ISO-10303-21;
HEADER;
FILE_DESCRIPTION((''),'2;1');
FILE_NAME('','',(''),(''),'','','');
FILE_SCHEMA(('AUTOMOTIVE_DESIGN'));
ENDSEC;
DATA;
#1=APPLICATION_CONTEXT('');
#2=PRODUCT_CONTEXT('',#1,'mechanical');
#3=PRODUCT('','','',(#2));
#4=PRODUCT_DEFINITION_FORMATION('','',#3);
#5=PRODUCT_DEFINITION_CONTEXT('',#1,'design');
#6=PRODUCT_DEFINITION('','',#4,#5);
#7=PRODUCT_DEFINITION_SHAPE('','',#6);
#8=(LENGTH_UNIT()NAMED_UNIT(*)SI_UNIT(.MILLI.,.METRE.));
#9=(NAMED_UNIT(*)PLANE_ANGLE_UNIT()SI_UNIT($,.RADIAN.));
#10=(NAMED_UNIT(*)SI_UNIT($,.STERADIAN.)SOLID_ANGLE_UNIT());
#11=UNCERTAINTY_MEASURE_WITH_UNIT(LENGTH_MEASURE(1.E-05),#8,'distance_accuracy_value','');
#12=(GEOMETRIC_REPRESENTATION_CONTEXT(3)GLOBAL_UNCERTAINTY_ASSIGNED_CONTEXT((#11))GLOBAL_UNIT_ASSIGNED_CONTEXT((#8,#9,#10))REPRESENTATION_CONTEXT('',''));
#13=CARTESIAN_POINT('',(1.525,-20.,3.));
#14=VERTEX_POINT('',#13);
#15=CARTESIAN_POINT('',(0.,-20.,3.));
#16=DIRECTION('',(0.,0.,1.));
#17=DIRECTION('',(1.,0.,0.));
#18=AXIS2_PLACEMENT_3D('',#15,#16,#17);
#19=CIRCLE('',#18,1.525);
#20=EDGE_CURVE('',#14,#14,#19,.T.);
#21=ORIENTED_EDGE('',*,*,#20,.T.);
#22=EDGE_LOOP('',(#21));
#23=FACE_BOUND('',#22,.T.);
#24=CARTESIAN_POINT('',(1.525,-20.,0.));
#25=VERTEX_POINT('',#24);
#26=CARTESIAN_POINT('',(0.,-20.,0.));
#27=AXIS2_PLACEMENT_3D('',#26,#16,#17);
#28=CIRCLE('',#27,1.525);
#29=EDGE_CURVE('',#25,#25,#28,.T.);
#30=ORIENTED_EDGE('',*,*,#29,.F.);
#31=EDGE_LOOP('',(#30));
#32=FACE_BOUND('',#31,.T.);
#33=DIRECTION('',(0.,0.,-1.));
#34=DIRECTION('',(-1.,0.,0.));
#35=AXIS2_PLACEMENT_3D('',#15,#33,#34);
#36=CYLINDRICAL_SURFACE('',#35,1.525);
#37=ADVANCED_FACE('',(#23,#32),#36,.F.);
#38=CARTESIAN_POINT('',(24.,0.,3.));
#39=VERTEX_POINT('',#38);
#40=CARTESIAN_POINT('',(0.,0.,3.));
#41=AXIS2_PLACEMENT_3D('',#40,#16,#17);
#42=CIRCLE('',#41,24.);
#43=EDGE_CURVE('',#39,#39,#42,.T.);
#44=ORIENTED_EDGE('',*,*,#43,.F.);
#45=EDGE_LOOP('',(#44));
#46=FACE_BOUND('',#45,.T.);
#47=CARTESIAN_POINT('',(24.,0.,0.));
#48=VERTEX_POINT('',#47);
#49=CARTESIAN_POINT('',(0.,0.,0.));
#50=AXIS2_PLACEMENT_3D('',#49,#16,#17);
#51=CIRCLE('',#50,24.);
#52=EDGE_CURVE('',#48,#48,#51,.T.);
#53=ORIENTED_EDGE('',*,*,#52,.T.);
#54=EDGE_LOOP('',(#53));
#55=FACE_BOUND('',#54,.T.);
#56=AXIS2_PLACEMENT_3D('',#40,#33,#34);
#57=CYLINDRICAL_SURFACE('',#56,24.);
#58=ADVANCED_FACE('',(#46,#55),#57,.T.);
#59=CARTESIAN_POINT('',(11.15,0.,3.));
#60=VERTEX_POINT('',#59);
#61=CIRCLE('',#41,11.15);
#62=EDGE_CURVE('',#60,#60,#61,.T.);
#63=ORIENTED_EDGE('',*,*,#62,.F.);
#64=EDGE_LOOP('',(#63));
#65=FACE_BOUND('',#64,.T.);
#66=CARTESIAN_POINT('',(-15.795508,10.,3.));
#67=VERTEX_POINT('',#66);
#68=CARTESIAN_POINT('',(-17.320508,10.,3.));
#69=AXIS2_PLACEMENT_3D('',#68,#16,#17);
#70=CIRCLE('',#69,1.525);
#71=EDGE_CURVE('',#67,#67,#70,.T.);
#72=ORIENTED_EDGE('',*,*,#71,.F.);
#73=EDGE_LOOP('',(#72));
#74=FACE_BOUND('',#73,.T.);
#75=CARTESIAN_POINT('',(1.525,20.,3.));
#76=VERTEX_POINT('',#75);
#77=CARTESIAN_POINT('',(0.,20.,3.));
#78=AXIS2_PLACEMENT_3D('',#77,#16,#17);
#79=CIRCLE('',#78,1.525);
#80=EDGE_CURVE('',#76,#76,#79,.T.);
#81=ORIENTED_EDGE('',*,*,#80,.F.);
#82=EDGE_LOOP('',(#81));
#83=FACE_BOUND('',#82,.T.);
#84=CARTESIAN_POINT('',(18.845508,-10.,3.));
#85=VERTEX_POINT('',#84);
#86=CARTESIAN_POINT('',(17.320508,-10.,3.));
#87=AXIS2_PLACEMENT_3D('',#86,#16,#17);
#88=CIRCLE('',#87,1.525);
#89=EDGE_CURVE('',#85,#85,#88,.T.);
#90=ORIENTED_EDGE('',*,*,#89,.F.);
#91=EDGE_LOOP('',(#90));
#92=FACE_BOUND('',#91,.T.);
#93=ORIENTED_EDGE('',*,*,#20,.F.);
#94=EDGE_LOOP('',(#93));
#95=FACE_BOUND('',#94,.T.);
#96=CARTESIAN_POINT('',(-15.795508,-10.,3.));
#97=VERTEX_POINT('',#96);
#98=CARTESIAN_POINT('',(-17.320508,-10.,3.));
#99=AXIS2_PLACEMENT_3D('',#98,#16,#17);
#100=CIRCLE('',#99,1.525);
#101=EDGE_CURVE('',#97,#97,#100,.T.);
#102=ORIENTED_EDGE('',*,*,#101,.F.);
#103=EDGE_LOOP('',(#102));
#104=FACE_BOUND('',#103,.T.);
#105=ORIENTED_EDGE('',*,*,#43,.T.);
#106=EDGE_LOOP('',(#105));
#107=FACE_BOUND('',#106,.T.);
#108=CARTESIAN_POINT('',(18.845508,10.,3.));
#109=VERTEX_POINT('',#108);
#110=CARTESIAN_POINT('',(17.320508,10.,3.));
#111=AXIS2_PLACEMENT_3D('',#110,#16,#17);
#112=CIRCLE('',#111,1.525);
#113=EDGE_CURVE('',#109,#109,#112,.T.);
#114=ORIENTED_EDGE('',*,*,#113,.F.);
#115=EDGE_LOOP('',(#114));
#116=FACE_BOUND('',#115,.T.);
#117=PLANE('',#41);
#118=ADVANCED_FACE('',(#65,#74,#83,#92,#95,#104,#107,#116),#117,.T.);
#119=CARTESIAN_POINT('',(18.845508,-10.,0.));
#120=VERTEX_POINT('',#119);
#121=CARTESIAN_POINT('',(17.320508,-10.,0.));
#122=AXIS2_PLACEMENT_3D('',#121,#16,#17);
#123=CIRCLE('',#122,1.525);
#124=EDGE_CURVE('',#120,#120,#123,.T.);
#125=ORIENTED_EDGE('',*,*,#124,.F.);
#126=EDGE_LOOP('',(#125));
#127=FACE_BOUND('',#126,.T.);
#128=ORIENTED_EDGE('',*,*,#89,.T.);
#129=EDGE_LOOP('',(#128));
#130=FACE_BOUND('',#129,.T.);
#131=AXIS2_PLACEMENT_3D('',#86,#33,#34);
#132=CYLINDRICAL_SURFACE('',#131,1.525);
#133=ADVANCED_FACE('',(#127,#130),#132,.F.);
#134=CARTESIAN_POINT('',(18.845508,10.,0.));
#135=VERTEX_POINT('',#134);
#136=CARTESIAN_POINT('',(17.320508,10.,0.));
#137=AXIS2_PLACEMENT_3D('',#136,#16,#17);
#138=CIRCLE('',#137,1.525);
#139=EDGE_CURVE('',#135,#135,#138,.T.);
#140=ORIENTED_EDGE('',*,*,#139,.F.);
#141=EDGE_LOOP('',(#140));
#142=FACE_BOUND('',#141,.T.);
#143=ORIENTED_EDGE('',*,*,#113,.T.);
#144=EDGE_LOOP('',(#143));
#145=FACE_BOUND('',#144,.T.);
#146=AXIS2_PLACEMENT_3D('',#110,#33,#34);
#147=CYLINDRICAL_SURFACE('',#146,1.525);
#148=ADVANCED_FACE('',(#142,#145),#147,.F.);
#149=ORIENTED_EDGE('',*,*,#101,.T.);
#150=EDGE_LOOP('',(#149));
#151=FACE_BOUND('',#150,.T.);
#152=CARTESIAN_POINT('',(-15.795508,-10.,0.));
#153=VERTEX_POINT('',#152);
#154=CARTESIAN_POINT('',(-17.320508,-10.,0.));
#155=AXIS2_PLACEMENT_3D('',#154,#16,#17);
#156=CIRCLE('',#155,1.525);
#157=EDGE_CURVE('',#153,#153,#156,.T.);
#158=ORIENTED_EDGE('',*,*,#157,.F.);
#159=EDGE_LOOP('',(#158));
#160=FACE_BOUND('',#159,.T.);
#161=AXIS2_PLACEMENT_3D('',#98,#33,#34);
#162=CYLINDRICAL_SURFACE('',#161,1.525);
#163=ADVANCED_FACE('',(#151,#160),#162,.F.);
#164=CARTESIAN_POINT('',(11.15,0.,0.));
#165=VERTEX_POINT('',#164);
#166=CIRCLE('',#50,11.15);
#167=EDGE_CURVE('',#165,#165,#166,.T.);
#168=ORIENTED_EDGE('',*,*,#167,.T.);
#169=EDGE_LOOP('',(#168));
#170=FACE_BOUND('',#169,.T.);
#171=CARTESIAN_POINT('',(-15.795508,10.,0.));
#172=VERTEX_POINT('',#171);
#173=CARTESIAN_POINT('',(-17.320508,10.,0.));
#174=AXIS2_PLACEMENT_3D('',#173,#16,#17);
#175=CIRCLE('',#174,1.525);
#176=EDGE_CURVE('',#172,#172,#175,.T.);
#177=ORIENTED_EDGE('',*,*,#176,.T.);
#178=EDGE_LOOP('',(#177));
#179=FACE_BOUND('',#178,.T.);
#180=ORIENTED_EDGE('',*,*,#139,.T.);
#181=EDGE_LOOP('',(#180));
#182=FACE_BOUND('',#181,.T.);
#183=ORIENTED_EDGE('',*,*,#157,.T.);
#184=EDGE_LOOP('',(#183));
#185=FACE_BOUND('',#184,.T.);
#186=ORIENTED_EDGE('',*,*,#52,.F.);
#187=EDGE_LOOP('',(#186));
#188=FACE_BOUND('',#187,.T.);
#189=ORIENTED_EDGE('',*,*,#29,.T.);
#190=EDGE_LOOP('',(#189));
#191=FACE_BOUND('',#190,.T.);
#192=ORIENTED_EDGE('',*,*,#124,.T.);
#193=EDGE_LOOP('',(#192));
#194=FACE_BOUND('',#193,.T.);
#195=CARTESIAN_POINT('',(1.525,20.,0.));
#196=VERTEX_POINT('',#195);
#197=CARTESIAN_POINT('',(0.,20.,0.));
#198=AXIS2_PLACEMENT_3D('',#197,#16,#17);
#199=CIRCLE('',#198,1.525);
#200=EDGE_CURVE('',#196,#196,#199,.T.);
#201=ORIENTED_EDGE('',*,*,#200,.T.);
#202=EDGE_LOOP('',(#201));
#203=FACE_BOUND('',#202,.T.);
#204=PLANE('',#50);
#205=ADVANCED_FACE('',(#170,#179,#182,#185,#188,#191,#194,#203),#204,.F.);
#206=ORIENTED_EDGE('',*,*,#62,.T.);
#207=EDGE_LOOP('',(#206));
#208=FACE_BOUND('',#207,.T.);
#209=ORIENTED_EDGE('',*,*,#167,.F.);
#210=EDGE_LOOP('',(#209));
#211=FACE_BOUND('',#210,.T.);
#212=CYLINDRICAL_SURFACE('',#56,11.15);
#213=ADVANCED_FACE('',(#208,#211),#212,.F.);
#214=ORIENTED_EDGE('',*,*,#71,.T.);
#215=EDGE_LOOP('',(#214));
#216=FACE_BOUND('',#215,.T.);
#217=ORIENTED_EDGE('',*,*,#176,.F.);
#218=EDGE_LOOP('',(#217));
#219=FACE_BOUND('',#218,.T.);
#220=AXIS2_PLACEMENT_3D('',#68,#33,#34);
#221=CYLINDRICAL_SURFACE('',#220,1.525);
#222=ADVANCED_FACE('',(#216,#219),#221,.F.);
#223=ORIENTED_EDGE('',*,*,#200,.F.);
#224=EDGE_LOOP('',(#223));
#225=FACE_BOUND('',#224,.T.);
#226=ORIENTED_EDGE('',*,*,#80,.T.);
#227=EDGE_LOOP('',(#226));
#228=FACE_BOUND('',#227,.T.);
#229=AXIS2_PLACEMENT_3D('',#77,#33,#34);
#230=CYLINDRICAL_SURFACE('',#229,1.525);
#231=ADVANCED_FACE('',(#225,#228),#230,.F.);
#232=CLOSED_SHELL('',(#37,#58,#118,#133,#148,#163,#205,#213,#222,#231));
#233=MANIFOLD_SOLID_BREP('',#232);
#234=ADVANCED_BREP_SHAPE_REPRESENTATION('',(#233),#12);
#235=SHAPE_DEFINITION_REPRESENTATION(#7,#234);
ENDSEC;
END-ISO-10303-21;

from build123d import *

# Parameters (mm, degrees)
SKETCH_1_R      = 24
SKETCH_1_R_2    = 11.15
SKETCH_1_R_3    = 1.525
EXTRUDE_1_DEPTH = 3


with BuildPart() as part:
    # 草图1 → 凸台-拉伸1 (new body)
    with BuildSketch(Plane.XY):
        Circle(SKETCH_1_R)
        Circle(SKETCH_1_R_2, mode=Mode.SUBTRACT)
        with Locations((0, 20)):
            Circle(SKETCH_1_R_3, mode=Mode.SUBTRACT)
        with Locations((17.320508076, 10)):
            Circle(SKETCH_1_R_3, mode=Mode.SUBTRACT)
        with Locations((17.320508076, -10)):
            Circle(SKETCH_1_R_3, mode=Mode.SUBTRACT)
        with Locations((0, -20)):
            Circle(SKETCH_1_R_3, mode=Mode.SUBTRACT)
        with Locations((-17.320508076, -10)):
            Circle(SKETCH_1_R_3, mode=Mode.SUBTRACT)
        with Locations((-17.320508076, 10)):
            Circle(SKETCH_1_R_3, mode=Mode.SUBTRACT)
    extrude(amount=EXTRUDE_1_DEPTH)


solid = part.part
